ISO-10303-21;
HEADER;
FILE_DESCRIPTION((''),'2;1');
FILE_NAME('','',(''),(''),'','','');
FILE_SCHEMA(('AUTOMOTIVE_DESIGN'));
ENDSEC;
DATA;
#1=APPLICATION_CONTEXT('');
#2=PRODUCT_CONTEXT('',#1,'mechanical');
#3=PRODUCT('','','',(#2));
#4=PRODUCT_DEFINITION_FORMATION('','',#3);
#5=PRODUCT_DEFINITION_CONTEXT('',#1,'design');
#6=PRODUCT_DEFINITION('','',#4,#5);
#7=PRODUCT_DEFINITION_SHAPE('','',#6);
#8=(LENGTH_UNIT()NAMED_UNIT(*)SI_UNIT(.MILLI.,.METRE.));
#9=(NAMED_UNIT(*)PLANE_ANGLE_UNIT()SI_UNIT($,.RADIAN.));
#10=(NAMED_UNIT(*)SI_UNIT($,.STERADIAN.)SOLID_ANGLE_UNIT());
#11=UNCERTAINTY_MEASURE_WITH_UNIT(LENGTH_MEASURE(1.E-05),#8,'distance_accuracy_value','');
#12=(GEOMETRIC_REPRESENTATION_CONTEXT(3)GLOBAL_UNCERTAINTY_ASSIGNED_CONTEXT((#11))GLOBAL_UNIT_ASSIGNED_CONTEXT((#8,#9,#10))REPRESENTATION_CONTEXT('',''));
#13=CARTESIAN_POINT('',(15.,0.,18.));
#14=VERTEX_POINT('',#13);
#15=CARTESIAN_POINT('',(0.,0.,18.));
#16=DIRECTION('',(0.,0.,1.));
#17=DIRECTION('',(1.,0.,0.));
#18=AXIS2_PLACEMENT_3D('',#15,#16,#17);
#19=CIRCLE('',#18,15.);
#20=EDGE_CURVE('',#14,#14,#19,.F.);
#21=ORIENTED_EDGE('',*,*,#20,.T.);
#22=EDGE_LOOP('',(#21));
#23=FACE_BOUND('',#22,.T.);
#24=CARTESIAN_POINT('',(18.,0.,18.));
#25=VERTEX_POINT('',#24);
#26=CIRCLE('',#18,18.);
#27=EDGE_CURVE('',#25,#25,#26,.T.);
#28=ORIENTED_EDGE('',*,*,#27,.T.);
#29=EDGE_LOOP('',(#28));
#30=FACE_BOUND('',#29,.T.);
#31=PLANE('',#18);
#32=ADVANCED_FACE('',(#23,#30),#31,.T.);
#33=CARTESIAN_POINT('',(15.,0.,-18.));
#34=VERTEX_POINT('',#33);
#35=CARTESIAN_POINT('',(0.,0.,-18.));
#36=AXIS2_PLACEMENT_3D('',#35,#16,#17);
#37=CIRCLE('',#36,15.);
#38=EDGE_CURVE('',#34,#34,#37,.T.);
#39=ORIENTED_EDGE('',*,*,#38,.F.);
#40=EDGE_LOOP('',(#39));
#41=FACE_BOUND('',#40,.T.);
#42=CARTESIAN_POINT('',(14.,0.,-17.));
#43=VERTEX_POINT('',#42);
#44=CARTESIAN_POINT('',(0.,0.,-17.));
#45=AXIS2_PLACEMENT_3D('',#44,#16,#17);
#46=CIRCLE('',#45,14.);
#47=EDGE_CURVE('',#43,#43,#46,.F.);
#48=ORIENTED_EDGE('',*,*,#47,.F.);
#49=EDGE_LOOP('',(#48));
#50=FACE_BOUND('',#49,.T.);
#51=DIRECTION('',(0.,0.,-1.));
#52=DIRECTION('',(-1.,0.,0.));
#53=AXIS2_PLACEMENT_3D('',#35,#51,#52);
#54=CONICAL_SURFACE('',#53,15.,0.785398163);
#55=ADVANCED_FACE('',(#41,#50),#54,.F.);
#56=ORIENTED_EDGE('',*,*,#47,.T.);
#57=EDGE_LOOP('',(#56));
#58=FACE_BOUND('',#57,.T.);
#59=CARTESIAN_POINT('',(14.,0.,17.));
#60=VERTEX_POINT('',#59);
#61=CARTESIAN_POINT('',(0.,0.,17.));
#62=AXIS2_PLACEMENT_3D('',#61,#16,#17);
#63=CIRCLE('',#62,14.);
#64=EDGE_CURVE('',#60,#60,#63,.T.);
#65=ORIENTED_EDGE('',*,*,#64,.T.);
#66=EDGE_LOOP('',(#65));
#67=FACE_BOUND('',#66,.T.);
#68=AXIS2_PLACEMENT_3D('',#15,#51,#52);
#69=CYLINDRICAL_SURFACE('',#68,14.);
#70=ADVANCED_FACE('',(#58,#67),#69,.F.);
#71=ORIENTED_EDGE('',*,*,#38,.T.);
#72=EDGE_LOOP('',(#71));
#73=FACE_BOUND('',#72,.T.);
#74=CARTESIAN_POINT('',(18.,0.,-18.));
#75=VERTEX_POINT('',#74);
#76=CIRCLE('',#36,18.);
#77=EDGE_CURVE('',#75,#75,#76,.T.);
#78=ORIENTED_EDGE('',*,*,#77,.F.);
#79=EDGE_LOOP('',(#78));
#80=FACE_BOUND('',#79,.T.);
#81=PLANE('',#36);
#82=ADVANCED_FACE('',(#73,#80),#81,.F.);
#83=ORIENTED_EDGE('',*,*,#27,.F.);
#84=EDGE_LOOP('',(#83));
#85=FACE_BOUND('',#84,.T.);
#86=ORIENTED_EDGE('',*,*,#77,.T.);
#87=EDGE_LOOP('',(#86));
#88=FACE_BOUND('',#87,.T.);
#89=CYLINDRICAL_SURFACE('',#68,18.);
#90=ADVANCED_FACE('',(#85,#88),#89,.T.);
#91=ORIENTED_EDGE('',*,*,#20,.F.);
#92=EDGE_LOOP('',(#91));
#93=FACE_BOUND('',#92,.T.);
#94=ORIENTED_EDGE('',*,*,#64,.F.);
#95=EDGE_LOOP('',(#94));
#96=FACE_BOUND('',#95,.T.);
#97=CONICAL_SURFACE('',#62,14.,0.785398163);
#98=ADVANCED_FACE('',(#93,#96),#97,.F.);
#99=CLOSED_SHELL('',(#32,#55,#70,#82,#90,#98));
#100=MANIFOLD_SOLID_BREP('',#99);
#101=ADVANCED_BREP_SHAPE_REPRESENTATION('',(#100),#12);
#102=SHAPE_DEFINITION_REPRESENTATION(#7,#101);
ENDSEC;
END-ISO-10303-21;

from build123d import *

# Parameters (mm, degrees)
SKETCH1_R           = 18
SKETCH1_R_2         = 14
BOSS_EXTRUDE1_DEPTH = 18
CHAMFER1_SIZE       = 1


with BuildPart() as part:
    # Sketch1 → Boss-Extrude1 (new, symmetric)
    with BuildSketch(Plane.XY):
        Circle(SKETCH1_R)
        Circle(SKETCH1_R_2, mode=Mode.SUBTRACT)
    extrude(amount=BOSS_EXTRUDE1_DEPTH, both=True)

    # Chamfer1
    chamfer1_edges = [part.edges().sort_by_distance(p)[0] for p in [
        (-14, 0, -18),
        (-14, 0, 18),
    ]]
    chamfer(chamfer1_edges, length=CHAMFER1_SIZE)


solid = part.part
